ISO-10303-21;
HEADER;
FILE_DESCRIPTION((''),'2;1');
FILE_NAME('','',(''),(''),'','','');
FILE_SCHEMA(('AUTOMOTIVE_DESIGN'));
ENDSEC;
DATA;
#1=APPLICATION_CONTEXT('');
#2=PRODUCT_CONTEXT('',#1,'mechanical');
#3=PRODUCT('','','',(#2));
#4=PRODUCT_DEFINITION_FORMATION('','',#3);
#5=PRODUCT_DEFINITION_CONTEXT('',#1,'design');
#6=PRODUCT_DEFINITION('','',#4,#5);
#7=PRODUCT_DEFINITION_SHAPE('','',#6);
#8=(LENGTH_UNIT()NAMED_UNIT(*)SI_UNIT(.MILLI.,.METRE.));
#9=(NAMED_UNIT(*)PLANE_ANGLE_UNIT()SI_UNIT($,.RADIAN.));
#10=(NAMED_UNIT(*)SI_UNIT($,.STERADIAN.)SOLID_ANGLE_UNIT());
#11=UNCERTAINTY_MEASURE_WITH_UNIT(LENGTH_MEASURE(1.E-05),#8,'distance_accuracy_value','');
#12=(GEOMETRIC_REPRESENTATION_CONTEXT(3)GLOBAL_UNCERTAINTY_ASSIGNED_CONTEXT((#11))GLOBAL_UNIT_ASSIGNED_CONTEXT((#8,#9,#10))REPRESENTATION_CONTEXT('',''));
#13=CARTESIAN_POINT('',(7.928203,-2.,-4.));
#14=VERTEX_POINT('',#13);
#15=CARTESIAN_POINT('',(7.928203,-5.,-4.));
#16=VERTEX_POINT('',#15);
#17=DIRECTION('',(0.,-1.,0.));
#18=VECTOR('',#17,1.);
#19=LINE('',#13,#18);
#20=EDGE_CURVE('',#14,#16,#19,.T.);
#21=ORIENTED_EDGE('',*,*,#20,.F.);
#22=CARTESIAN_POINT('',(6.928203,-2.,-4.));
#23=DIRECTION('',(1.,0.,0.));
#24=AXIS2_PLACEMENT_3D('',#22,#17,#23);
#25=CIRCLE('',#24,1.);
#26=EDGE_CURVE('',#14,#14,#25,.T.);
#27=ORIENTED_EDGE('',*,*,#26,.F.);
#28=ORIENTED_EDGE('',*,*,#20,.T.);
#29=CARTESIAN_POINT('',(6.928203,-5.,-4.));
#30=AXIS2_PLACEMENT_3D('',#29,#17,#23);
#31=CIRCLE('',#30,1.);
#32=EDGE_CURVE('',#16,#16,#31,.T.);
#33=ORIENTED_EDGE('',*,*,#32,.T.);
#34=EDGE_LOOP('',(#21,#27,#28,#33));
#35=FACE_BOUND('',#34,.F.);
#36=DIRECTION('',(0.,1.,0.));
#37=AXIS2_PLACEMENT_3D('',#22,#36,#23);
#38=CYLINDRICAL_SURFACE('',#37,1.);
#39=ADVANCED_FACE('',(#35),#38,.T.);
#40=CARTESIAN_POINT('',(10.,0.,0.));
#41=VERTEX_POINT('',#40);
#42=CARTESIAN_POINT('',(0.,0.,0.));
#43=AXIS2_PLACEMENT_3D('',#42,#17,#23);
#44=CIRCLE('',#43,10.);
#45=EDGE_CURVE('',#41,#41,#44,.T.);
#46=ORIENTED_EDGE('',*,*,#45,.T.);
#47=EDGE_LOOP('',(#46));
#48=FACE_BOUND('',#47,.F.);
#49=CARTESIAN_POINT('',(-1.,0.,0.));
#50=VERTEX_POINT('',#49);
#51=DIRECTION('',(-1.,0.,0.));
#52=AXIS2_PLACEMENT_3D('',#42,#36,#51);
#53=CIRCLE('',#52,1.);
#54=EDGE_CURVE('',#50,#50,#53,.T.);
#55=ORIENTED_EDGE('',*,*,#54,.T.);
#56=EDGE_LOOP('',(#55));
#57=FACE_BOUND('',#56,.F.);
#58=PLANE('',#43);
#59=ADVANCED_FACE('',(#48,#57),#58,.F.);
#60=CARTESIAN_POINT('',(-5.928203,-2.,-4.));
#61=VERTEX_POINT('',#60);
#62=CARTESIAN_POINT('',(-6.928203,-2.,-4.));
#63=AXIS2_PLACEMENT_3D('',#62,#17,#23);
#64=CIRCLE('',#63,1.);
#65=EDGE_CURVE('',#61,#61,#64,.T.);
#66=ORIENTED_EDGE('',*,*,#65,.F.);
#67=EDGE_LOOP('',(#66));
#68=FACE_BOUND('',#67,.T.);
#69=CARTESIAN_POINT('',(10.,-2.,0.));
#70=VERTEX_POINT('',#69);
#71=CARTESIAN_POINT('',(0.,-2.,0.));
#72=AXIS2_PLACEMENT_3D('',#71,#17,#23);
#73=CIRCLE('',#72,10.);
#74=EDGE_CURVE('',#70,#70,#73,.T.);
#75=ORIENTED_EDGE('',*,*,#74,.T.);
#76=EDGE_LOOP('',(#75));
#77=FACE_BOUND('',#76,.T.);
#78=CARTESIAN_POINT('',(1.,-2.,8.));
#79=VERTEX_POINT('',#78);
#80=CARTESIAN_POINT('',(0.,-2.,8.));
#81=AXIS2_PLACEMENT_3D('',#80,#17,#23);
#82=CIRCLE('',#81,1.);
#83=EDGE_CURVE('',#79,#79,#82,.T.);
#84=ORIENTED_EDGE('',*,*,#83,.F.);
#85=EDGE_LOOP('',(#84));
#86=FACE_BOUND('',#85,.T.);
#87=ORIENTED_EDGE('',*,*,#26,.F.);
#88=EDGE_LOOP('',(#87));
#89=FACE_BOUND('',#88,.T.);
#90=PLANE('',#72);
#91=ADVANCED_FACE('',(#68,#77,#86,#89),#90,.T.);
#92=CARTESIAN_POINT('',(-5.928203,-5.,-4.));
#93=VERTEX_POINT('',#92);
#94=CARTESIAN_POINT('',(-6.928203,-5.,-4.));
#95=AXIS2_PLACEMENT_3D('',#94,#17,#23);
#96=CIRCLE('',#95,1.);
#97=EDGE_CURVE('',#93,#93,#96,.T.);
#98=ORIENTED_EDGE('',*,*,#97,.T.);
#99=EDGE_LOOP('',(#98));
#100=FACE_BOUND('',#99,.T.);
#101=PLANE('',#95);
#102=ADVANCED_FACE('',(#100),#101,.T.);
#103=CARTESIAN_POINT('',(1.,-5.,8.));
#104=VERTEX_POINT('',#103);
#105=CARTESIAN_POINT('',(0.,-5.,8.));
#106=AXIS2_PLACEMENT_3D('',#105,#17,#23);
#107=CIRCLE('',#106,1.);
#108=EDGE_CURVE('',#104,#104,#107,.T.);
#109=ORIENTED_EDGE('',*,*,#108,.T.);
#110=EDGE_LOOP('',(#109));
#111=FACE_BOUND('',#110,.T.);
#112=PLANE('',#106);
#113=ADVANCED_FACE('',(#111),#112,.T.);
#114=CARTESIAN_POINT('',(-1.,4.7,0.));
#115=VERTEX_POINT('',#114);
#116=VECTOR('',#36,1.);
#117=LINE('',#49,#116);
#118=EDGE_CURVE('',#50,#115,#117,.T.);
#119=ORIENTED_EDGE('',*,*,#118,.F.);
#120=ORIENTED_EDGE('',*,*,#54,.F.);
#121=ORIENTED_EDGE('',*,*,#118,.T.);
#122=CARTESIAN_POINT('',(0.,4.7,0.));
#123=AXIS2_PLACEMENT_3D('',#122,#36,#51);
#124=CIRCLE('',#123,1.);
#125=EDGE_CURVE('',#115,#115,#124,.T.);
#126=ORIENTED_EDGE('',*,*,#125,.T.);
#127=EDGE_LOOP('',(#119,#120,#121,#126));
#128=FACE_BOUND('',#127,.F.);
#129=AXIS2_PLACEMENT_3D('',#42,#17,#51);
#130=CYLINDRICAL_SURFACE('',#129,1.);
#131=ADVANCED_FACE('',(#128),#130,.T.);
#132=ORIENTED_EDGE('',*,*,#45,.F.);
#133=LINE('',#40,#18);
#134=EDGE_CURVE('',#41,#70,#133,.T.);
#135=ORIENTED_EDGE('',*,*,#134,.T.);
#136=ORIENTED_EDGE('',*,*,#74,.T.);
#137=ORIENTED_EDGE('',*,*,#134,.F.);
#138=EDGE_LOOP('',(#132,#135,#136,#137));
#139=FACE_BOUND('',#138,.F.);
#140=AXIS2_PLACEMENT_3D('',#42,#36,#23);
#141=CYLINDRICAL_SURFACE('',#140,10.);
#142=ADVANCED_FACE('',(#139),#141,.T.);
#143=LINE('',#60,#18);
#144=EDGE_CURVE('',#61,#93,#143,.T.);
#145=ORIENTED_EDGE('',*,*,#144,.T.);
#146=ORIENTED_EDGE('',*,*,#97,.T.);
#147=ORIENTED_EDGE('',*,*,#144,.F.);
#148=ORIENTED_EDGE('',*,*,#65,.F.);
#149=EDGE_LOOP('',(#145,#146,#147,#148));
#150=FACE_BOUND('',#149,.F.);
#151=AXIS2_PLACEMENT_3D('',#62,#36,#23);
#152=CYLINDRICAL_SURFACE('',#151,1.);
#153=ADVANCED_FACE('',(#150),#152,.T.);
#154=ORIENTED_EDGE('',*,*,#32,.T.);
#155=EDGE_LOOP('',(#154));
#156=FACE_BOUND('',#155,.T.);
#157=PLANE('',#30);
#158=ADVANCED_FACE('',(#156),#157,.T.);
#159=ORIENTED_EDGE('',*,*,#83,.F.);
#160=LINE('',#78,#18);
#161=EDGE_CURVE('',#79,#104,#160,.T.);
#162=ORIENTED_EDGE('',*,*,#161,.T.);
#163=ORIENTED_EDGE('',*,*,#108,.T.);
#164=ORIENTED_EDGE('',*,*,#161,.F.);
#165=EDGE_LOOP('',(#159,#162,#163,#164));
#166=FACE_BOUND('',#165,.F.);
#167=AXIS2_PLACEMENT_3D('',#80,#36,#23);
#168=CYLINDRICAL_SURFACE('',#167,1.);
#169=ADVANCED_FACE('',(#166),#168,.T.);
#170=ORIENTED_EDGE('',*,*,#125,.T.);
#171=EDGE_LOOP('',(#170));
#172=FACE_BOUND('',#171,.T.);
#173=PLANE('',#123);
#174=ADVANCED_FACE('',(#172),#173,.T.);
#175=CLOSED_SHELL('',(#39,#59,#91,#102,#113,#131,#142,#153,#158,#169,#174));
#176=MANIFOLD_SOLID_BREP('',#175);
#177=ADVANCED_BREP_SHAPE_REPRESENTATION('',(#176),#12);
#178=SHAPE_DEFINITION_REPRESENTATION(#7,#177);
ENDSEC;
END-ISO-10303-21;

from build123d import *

# Parameters (mm, degrees)
F0_R     = 10
F1_DEPTH = 2
F2_R     = 1
F3_DEPTH = 3
F4_R     = 1
F5_DEPTH = 4.7


with BuildPart() as f1:
    # F0 (on Front) → F1 (new body)
    with BuildSketch(Plane.XZ):
        Circle(F0_R)
    extrude(amount=F1_DEPTH)

    # F2 (on face) → F3 (join)
    with BuildSketch(Plane.XZ.offset(2)):
        with Locations((0, 8)):
            Circle(F2_R)
        with Locations((-6.9282032303, -4)):
            Circle(F2_R)
        with Locations((6.9282032303, -4)):
            Circle(F2_R)
    extrude(amount=F3_DEPTH)

    # F4 (on face) → F5 (join)
    with BuildSketch(Plane(origin=(0, 0, 0), x_dir=(-1, 0, 0), z_dir=(0, 1, 0))):
        Circle(F4_R)
    extrude(amount=F5_DEPTH)


solid = f1.part
